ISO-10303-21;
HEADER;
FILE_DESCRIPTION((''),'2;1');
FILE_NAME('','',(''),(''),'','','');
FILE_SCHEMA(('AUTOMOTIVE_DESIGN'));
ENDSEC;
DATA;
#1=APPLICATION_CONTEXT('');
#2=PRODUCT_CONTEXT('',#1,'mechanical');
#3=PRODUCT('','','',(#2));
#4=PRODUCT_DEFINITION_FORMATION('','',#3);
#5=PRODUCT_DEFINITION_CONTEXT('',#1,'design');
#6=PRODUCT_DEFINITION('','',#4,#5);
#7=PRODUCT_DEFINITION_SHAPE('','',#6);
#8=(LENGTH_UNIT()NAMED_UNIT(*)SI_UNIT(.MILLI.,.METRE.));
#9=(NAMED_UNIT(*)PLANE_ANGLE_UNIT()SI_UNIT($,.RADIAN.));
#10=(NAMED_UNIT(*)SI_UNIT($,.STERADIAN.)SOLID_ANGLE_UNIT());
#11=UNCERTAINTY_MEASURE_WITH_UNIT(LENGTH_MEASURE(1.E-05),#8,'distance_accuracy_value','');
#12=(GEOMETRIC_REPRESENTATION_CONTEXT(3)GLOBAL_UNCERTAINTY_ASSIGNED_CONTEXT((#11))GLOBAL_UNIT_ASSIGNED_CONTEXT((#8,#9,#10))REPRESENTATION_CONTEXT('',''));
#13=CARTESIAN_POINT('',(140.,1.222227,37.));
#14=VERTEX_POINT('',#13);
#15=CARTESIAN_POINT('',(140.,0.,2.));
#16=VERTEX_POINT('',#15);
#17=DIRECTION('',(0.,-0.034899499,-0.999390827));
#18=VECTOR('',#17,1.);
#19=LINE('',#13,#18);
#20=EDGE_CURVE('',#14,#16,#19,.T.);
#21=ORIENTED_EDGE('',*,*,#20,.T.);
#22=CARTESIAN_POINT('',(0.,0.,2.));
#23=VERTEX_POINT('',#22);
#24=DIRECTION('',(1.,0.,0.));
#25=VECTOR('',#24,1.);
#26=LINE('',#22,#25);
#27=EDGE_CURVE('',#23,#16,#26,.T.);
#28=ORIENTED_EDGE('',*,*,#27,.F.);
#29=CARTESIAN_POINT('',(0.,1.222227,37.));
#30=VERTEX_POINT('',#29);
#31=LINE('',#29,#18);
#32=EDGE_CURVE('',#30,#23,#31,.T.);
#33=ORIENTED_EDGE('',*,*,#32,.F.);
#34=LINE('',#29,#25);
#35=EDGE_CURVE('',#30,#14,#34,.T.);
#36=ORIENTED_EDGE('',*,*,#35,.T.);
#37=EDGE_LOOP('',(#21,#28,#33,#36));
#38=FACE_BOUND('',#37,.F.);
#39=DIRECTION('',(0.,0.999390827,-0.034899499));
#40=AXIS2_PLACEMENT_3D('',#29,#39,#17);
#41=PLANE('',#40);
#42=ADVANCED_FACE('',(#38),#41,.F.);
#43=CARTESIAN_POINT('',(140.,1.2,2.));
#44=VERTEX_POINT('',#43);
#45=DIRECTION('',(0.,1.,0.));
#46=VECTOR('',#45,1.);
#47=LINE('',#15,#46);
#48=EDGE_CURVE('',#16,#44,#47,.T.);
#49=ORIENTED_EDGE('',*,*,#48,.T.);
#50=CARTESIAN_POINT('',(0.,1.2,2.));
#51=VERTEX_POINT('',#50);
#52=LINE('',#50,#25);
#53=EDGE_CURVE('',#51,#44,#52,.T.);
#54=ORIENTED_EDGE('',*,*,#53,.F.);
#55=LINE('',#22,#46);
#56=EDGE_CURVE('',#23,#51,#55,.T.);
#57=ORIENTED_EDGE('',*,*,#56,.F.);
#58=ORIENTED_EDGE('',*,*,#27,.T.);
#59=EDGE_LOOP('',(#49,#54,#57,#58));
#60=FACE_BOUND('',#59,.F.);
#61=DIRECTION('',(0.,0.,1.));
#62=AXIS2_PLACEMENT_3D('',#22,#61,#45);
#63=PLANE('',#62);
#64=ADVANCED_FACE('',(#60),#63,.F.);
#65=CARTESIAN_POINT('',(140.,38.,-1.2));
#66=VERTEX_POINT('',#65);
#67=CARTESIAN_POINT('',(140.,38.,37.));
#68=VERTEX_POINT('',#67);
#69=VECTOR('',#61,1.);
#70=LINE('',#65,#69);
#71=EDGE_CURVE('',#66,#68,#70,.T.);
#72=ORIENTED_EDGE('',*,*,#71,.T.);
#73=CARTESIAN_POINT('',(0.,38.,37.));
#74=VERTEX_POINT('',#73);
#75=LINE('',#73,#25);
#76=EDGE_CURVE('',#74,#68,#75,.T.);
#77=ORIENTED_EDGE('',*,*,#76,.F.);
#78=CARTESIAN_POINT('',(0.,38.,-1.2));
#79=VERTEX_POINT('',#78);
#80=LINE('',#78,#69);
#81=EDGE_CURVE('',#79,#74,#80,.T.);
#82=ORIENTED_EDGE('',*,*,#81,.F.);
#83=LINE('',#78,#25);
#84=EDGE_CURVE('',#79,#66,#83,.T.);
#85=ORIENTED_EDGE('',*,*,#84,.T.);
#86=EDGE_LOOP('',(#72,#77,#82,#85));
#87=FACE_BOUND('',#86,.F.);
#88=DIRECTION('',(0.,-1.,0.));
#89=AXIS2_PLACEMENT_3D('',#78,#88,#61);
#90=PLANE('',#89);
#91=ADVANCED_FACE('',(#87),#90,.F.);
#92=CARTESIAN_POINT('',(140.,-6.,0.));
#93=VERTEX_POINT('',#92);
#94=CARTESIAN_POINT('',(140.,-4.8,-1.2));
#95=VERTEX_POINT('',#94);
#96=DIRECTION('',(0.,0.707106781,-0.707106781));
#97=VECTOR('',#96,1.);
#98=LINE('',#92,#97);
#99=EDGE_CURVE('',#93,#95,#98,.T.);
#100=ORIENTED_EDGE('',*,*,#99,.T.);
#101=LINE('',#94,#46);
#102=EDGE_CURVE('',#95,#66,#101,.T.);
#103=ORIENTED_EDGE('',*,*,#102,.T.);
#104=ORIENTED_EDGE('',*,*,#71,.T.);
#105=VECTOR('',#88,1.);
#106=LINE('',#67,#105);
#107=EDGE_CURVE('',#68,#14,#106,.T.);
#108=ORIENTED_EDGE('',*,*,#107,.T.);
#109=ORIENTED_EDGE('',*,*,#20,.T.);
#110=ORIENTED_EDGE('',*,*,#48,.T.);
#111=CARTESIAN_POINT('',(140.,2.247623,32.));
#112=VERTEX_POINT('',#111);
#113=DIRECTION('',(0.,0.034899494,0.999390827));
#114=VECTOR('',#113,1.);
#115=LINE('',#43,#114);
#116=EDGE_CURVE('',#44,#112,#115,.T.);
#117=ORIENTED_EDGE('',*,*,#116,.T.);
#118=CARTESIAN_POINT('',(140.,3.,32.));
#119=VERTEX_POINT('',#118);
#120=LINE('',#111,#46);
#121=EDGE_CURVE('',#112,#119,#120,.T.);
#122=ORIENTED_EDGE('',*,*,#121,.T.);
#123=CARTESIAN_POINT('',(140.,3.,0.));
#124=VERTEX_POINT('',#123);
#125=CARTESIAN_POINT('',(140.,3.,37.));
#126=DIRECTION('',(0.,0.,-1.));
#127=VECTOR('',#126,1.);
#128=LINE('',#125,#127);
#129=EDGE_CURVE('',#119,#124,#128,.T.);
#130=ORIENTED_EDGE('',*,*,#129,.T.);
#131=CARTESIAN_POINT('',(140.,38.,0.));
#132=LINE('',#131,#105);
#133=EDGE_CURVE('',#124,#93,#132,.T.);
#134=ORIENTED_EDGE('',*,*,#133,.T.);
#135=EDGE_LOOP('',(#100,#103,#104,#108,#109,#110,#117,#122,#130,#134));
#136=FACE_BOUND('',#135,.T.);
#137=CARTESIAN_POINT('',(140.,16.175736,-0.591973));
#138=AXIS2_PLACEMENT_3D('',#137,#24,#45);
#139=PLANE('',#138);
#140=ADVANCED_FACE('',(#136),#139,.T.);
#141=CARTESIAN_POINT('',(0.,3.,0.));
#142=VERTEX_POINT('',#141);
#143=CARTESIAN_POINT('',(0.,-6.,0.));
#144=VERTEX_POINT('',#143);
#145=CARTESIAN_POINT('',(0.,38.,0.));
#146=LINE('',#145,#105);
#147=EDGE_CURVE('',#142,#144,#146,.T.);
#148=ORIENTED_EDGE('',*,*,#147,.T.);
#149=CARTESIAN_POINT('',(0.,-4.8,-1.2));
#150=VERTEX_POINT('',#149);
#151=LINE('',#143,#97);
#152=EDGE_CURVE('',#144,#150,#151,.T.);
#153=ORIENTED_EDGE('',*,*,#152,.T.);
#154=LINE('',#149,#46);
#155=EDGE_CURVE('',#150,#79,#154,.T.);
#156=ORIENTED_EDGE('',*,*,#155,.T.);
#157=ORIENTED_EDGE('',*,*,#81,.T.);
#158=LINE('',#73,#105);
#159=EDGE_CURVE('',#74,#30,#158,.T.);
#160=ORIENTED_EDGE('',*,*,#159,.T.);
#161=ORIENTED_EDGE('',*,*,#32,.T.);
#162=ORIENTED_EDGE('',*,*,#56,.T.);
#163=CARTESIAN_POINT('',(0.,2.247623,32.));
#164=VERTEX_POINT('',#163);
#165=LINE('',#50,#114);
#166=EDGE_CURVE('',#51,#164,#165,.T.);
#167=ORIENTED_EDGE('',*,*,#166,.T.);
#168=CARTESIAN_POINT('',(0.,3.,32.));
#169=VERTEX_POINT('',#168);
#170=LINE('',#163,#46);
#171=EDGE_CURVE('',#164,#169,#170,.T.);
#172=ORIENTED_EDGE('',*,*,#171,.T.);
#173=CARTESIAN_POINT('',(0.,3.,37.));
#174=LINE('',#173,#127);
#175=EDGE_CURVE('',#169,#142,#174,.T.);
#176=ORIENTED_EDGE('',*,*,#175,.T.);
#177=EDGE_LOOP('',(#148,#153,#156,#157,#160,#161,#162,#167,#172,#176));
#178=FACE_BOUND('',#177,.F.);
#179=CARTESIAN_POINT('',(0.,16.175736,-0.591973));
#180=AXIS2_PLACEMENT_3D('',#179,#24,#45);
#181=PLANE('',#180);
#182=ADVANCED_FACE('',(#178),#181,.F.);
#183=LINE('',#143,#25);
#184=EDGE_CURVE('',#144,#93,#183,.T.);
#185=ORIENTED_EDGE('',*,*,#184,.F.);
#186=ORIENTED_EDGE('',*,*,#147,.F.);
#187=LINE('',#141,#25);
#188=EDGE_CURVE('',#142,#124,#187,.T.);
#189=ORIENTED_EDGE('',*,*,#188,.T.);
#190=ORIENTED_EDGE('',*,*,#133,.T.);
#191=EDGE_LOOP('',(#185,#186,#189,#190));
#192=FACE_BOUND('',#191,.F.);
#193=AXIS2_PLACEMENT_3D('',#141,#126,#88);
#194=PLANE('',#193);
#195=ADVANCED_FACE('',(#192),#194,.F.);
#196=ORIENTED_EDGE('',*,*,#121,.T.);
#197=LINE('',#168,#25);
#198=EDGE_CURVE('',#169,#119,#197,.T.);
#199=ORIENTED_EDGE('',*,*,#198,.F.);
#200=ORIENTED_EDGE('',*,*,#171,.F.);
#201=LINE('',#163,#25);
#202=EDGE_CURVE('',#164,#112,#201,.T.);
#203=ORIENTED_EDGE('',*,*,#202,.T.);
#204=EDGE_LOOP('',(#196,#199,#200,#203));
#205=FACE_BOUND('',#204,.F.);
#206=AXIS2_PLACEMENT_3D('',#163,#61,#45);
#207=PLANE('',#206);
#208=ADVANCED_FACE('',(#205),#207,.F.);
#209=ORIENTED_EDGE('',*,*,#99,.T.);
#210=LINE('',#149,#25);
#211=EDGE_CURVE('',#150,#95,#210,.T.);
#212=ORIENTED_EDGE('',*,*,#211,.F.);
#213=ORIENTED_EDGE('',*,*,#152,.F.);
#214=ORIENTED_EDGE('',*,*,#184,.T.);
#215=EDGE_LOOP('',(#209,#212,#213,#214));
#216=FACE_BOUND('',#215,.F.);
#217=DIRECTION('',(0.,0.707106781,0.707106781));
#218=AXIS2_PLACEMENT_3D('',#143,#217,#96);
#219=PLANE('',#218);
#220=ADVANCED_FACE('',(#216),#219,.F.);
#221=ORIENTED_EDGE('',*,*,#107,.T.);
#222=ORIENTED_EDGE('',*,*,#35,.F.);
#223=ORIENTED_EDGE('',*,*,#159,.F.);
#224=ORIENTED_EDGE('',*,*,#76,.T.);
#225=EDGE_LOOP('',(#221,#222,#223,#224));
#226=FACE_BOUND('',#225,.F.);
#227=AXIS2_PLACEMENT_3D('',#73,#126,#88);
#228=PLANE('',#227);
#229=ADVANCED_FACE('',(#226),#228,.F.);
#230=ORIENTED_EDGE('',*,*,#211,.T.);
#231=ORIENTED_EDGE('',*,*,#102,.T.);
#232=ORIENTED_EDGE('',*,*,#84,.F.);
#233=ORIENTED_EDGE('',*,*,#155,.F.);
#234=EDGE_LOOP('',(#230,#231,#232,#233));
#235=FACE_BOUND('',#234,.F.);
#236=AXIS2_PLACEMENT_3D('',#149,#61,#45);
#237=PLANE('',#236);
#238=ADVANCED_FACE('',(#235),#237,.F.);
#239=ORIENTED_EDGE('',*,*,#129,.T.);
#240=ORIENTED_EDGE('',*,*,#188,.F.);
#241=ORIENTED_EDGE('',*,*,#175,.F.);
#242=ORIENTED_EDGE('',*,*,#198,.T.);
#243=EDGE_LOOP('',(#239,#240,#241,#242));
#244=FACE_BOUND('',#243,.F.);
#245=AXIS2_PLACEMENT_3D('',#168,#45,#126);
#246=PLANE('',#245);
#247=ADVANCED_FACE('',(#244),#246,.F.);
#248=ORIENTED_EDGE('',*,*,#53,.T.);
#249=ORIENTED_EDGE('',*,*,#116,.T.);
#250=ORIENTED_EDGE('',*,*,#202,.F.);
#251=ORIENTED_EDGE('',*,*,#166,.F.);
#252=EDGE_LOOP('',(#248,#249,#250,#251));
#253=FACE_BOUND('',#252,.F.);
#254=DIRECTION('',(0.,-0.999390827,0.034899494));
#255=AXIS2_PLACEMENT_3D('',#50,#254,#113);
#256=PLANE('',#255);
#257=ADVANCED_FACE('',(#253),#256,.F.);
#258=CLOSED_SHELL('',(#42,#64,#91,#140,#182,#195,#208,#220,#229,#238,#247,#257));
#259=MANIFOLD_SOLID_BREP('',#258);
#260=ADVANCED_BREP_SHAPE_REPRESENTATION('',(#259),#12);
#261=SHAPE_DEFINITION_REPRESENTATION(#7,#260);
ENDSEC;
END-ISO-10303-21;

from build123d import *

# Parameters (mm, degrees)
F1_DEPTH = 140


with BuildPart() as f1:
    # F0 (on Right) → F1 (new body)
    with BuildSketch(Plane.YZ):
        Polygon((3, 0), (0, 0), (-6, 0), (-4.8, -1.2), (38, -1.2), (38, 0), align=None)
        Polygon((3, 32), (3, 0), (38, 0), (38, 37), (3, 37), align=None)
        Polygon((2.247623, 32), (3, 32), (3, 37), (2.422227, 37), align=None)
        Polygon((1.2, 2), (2.247623, 32), (2.422227, 37), (1.222227, 37), (0, 2), align=None)
    extrude(amount=F1_DEPTH)


solid = f1.part
